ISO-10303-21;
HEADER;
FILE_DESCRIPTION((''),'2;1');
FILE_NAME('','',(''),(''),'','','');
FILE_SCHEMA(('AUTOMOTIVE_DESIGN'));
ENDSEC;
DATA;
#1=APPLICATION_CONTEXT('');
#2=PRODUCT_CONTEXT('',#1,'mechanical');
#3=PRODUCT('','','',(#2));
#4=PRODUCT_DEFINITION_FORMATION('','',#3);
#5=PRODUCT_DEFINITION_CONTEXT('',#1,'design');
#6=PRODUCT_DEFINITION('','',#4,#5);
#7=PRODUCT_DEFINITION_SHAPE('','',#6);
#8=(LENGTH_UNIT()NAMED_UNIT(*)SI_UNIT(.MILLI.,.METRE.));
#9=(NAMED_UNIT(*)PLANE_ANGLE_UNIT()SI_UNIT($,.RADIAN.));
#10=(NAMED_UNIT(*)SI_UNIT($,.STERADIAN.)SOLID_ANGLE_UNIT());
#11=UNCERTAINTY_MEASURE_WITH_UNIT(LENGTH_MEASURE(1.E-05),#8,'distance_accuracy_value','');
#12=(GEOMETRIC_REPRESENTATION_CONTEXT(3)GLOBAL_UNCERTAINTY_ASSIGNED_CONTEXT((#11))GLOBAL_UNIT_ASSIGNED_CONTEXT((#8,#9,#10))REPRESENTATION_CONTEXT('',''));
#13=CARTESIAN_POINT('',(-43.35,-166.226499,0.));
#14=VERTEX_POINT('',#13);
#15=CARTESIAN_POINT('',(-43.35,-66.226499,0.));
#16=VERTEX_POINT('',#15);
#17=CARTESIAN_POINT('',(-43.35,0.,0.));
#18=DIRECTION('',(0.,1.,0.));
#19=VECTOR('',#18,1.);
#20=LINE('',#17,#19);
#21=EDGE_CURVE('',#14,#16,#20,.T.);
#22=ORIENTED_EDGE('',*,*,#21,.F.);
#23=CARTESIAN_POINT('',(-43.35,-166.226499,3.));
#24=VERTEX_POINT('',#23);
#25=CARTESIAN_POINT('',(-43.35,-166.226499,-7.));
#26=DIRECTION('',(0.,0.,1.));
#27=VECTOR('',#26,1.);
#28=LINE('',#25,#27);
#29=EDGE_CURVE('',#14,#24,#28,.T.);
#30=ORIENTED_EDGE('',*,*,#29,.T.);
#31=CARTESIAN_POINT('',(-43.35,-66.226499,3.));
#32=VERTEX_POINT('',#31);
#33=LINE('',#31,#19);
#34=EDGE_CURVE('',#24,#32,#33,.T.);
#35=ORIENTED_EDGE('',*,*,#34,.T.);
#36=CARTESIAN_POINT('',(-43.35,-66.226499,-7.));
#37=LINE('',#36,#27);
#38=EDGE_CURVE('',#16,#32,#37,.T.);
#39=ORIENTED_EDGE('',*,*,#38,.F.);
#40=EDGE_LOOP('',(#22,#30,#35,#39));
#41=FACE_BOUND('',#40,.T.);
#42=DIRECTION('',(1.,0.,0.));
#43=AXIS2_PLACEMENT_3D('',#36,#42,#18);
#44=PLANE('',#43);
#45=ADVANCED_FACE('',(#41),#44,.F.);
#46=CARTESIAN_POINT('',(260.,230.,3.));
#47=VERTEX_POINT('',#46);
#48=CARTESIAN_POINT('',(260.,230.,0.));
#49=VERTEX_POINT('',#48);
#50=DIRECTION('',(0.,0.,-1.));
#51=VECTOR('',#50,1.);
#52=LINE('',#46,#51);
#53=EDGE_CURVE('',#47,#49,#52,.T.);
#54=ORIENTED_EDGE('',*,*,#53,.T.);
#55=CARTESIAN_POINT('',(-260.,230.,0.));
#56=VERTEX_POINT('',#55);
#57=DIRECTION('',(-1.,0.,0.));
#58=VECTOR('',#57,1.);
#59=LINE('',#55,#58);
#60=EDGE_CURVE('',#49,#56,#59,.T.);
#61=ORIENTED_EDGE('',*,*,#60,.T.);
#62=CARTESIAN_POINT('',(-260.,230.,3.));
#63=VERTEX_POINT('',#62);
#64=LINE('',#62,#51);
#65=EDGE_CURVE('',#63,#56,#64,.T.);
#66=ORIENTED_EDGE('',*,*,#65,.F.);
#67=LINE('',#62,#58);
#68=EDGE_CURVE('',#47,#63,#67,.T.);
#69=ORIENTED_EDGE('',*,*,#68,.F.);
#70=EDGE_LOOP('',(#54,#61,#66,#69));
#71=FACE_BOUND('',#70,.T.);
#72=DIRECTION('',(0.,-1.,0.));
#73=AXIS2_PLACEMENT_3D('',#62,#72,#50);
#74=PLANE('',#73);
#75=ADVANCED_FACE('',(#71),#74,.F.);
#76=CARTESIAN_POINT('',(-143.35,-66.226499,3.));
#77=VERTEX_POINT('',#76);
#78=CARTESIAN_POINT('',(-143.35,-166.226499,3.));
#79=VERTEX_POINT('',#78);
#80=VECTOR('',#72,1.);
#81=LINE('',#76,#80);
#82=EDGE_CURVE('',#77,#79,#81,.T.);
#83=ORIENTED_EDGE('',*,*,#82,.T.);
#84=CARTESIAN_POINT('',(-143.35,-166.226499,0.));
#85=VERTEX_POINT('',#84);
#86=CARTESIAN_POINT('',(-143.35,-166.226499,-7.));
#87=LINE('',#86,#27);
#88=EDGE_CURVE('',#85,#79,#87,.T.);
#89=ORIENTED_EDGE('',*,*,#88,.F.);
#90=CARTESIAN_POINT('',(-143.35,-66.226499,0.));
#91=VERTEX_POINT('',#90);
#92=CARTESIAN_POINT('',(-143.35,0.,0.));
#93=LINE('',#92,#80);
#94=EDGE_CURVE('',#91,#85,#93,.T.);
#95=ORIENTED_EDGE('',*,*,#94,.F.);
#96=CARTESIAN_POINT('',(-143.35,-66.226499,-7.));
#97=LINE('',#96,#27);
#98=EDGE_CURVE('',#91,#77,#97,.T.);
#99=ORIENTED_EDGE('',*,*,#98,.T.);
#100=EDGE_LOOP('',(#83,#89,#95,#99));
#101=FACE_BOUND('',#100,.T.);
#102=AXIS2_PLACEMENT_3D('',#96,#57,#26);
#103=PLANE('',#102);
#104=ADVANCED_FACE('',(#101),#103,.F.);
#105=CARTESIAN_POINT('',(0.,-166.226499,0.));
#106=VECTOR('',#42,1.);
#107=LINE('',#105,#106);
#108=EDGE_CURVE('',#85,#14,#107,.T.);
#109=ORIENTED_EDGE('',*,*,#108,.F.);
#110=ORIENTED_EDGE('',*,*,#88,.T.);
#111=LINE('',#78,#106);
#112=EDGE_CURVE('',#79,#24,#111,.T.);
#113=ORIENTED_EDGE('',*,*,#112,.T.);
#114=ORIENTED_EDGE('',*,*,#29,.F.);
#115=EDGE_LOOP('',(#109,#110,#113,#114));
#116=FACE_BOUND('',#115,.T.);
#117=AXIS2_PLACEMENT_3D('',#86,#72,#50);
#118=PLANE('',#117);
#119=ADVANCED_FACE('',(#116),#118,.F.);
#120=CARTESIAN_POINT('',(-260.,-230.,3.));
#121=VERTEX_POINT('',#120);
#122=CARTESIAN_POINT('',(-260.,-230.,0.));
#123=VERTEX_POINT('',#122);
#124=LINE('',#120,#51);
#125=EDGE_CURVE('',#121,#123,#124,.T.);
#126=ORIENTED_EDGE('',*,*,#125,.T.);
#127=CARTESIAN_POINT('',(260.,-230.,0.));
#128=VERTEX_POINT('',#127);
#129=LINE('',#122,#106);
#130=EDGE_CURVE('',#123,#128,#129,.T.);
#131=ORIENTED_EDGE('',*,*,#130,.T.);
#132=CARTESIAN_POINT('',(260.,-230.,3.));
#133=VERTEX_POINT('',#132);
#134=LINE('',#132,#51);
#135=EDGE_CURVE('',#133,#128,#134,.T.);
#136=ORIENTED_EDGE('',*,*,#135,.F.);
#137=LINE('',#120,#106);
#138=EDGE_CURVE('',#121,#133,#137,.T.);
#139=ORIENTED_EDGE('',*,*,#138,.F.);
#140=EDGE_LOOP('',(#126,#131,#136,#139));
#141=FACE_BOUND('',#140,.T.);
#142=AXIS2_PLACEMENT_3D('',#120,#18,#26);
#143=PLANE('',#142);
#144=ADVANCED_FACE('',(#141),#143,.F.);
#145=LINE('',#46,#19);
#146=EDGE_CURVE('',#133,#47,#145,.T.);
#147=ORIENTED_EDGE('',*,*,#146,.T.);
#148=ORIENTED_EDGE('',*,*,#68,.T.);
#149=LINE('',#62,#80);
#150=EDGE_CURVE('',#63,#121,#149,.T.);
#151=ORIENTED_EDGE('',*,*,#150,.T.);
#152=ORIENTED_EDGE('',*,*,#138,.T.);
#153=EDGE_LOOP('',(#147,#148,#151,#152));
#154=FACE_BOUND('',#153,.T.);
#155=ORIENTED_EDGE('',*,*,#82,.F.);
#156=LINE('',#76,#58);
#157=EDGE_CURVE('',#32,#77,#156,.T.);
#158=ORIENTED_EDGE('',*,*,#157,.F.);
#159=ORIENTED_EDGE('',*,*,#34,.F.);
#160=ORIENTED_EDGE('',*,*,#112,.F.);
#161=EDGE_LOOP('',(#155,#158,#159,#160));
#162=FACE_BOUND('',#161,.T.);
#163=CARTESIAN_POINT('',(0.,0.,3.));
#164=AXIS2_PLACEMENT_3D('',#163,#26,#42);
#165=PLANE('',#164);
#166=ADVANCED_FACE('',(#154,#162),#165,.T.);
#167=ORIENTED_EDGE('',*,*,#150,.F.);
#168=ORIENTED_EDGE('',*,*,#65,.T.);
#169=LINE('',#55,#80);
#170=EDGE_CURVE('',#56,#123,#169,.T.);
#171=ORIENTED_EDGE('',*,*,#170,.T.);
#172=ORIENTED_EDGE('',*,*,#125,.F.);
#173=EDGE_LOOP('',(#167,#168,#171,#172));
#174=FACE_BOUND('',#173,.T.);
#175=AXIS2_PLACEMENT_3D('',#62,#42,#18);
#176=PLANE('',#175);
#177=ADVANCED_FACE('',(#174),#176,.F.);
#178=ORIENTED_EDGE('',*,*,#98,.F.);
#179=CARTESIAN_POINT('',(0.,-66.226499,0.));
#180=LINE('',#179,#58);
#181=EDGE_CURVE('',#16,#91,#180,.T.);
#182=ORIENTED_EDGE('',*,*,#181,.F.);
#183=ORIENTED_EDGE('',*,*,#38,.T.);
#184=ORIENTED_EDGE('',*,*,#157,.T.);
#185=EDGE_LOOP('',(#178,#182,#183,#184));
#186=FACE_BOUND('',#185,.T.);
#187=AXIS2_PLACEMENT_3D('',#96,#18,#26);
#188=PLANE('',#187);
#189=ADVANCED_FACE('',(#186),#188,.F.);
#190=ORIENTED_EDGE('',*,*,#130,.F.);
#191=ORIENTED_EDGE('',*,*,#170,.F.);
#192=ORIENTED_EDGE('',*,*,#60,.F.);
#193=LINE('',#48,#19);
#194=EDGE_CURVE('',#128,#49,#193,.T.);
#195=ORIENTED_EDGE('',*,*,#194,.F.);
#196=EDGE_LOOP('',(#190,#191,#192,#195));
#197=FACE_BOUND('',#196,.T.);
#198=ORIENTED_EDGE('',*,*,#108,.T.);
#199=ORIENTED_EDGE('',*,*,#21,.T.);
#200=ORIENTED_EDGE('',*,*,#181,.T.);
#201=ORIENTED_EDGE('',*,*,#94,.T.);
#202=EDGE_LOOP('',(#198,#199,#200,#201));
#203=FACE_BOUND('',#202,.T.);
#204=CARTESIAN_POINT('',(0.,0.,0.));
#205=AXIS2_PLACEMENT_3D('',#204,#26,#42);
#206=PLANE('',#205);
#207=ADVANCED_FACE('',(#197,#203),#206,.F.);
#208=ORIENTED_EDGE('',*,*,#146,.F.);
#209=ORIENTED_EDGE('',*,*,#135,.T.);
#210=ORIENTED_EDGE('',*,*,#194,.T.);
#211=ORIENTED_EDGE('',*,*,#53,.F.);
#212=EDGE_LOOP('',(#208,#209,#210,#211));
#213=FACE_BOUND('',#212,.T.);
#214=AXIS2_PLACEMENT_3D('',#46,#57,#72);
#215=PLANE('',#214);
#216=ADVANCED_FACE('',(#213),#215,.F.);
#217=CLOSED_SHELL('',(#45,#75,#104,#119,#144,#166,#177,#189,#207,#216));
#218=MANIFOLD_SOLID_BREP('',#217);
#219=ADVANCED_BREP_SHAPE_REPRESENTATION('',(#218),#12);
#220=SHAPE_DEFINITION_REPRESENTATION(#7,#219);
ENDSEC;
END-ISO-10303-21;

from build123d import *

# Parameters (mm, degrees)
SKETCH_1_W          = 520
SKETCH_1_H          = 460
EXTRUDE_1_DEPTH     = 3
SKETCH_2_W          = 100
SKETCH_2_H          = 100
CUT_EXTRUDE_1_DEPTH = 10


with BuildPart() as part:
    # 草图1 → 凸台-拉伸1 (new body)
    with BuildSketch(Plane.XY):
        Rectangle(SKETCH_1_W, SKETCH_1_H)
    extrude(amount=EXTRUDE_1_DEPTH)

    # 草图2 → 切除-拉伸1 (cut)
    with BuildSketch(Plane.XY.offset(3)):
        with Locations((-93.35, -116.22649935)):
            Rectangle(SKETCH_2_W, SKETCH_2_H)
    extrude(amount=-CUT_EXTRUDE_1_DEPTH, mode=Mode.SUBTRACT)


solid = part.part
